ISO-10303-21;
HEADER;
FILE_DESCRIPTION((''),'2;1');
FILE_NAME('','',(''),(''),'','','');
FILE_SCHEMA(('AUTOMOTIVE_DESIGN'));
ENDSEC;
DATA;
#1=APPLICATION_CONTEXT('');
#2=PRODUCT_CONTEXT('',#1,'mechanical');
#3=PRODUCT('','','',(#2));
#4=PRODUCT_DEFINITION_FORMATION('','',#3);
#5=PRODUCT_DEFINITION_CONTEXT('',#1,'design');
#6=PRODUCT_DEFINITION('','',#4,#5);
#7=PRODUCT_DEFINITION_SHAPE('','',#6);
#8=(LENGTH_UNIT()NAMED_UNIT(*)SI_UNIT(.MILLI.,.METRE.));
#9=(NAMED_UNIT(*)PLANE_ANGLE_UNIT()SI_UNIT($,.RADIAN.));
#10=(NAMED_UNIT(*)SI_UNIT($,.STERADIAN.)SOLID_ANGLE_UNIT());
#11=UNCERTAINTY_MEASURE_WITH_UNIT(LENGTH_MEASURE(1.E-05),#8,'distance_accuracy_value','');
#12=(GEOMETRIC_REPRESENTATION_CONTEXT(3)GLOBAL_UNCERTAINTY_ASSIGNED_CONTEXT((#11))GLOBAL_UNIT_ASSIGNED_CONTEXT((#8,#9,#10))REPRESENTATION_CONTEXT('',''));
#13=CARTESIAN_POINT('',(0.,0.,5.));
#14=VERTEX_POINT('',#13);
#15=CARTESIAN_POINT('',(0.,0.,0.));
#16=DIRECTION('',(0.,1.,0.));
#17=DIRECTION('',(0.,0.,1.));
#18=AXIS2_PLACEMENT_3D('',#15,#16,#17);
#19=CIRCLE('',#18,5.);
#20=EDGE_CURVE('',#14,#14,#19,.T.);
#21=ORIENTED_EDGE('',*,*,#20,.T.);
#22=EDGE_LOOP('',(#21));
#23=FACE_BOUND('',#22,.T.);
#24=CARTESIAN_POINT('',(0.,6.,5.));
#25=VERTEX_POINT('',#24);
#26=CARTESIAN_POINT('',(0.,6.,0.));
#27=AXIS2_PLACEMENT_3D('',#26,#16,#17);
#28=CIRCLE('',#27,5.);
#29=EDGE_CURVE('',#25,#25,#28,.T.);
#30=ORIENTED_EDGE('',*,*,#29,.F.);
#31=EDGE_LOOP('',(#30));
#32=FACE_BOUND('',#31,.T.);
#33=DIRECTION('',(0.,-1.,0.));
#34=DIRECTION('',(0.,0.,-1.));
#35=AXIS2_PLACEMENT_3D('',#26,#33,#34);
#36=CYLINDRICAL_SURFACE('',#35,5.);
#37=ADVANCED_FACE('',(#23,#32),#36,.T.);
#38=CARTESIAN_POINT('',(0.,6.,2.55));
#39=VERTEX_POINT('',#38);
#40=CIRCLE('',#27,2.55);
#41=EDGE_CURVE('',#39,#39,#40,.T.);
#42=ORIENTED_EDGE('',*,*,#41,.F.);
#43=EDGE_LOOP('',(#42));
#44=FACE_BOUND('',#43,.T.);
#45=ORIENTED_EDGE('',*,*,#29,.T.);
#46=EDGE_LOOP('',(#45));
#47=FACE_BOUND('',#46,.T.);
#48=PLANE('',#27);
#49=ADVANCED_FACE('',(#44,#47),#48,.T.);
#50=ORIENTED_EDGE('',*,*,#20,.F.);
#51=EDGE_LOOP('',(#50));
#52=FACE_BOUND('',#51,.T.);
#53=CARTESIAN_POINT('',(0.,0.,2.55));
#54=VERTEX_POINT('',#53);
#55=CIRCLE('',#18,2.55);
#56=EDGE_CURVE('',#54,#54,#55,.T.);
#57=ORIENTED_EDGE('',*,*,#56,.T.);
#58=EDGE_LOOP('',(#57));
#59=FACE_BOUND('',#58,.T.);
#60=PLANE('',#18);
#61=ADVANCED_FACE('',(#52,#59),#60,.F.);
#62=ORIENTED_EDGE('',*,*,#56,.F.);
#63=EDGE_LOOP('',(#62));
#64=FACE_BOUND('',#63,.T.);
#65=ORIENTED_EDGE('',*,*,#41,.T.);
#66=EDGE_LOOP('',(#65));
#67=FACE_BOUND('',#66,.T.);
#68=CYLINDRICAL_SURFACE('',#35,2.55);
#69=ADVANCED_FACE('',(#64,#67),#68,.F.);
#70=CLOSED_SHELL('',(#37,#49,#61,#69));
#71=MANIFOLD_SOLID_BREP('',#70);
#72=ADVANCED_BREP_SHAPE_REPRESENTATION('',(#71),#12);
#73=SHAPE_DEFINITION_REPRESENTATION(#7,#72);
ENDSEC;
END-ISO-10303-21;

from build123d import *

# Parameters (mm, degrees)
CROQUIS1_R              = 5
CROQUIS1_R_2            = 2.55
SALIENTE_EXTRUIR1_DEPTH = 6


with BuildPart() as part:
    # Croquis1 → Saliente-Extruir1 (new body)
    with BuildSketch(Plane(origin=(0, 0, 0), x_dir=(1, 0, 0), z_dir=(0, 1, 0))):
        Circle(CROQUIS1_R)
        Circle(CROQUIS1_R_2, mode=Mode.SUBTRACT)
    extrude(amount=SALIENTE_EXTRUIR1_DEPTH)


solid = part.part
